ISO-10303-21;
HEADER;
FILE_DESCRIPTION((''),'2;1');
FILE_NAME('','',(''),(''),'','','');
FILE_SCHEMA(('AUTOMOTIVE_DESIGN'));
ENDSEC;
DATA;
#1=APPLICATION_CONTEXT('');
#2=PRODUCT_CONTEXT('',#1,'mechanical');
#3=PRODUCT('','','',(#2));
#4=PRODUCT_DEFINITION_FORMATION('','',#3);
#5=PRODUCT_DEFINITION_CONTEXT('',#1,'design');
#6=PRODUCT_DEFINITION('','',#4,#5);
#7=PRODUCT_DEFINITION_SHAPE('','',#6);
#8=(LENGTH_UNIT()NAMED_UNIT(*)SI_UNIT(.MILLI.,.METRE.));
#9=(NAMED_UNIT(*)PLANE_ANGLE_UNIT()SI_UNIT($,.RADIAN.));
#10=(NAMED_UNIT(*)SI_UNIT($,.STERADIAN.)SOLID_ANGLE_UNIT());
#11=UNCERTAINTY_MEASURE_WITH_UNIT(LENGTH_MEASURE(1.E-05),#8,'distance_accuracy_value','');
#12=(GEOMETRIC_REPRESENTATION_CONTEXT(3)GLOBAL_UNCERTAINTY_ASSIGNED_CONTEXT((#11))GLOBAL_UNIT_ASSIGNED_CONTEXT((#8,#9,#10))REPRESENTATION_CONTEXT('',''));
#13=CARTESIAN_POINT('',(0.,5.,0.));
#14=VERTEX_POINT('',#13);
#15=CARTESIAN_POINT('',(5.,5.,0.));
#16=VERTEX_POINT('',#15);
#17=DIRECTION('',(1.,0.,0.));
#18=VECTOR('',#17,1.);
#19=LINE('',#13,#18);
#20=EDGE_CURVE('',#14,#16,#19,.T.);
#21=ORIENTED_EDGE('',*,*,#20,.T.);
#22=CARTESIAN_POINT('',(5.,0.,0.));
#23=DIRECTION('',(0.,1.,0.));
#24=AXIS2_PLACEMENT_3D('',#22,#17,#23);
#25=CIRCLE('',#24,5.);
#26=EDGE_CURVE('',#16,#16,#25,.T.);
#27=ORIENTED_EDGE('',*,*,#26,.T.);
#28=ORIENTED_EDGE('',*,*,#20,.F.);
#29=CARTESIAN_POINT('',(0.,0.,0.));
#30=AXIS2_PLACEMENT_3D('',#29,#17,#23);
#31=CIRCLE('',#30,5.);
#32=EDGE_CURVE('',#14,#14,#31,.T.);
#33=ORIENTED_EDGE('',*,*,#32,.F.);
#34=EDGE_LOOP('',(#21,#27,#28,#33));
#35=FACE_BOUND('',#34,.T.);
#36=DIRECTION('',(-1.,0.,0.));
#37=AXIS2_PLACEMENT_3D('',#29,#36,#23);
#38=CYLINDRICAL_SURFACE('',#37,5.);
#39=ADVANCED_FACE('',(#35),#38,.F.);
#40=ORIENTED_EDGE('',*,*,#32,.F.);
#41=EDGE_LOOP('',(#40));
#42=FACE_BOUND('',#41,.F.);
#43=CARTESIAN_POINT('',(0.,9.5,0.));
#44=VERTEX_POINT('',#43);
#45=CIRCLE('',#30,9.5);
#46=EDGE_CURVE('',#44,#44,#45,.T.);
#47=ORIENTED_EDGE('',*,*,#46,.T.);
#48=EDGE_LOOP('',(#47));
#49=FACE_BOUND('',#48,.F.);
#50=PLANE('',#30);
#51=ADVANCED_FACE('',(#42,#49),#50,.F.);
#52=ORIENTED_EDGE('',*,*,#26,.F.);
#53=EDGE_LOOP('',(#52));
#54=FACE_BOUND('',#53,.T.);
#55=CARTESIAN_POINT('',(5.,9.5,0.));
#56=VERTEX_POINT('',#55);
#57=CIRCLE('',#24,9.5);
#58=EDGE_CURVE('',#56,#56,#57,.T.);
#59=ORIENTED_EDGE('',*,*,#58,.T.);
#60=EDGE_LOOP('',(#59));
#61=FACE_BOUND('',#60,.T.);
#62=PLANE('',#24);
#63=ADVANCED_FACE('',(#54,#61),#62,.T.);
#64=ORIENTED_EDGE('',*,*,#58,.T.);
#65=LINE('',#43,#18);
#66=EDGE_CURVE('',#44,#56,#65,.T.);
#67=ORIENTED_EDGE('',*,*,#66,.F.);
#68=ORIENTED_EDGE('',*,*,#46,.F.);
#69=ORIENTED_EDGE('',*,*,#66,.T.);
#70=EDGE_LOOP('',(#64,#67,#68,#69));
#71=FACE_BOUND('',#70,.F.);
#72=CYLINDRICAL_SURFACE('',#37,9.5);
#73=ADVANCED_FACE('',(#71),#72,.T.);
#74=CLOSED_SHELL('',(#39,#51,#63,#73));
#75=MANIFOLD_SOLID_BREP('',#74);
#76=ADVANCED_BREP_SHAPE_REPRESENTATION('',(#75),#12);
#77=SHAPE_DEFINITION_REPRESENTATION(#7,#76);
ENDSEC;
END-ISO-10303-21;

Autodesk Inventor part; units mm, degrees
ref_plane "YZ Plane" through (0, 0, 0) normal (1, 0, 0) x (0, 1, 0)
ref_plane "XZ Plane" through (0, 0, 0) normal (0, 1, 0) x (-1, 0, 0)
ref_plane "XY Plane" through (0, 0, 0) normal (0, 0, 1) x (1, 0, 0)
sketch "Sketch1" plane through (0, 0, 0) normal (1, 0, 0) x (0, 1, 0)
  circle A0 centre (0, 0) radius 9.5
  circle A1 centre (0, 0) radius 5
  dimension "d0" = 19
  dimension "d1" = 10
extrude "Extrusion1" add sketch "Sketch1" along normal blind 5
properties part number "RODAMIENTO_19X10X5" material "Steel, Mild, Welded"
